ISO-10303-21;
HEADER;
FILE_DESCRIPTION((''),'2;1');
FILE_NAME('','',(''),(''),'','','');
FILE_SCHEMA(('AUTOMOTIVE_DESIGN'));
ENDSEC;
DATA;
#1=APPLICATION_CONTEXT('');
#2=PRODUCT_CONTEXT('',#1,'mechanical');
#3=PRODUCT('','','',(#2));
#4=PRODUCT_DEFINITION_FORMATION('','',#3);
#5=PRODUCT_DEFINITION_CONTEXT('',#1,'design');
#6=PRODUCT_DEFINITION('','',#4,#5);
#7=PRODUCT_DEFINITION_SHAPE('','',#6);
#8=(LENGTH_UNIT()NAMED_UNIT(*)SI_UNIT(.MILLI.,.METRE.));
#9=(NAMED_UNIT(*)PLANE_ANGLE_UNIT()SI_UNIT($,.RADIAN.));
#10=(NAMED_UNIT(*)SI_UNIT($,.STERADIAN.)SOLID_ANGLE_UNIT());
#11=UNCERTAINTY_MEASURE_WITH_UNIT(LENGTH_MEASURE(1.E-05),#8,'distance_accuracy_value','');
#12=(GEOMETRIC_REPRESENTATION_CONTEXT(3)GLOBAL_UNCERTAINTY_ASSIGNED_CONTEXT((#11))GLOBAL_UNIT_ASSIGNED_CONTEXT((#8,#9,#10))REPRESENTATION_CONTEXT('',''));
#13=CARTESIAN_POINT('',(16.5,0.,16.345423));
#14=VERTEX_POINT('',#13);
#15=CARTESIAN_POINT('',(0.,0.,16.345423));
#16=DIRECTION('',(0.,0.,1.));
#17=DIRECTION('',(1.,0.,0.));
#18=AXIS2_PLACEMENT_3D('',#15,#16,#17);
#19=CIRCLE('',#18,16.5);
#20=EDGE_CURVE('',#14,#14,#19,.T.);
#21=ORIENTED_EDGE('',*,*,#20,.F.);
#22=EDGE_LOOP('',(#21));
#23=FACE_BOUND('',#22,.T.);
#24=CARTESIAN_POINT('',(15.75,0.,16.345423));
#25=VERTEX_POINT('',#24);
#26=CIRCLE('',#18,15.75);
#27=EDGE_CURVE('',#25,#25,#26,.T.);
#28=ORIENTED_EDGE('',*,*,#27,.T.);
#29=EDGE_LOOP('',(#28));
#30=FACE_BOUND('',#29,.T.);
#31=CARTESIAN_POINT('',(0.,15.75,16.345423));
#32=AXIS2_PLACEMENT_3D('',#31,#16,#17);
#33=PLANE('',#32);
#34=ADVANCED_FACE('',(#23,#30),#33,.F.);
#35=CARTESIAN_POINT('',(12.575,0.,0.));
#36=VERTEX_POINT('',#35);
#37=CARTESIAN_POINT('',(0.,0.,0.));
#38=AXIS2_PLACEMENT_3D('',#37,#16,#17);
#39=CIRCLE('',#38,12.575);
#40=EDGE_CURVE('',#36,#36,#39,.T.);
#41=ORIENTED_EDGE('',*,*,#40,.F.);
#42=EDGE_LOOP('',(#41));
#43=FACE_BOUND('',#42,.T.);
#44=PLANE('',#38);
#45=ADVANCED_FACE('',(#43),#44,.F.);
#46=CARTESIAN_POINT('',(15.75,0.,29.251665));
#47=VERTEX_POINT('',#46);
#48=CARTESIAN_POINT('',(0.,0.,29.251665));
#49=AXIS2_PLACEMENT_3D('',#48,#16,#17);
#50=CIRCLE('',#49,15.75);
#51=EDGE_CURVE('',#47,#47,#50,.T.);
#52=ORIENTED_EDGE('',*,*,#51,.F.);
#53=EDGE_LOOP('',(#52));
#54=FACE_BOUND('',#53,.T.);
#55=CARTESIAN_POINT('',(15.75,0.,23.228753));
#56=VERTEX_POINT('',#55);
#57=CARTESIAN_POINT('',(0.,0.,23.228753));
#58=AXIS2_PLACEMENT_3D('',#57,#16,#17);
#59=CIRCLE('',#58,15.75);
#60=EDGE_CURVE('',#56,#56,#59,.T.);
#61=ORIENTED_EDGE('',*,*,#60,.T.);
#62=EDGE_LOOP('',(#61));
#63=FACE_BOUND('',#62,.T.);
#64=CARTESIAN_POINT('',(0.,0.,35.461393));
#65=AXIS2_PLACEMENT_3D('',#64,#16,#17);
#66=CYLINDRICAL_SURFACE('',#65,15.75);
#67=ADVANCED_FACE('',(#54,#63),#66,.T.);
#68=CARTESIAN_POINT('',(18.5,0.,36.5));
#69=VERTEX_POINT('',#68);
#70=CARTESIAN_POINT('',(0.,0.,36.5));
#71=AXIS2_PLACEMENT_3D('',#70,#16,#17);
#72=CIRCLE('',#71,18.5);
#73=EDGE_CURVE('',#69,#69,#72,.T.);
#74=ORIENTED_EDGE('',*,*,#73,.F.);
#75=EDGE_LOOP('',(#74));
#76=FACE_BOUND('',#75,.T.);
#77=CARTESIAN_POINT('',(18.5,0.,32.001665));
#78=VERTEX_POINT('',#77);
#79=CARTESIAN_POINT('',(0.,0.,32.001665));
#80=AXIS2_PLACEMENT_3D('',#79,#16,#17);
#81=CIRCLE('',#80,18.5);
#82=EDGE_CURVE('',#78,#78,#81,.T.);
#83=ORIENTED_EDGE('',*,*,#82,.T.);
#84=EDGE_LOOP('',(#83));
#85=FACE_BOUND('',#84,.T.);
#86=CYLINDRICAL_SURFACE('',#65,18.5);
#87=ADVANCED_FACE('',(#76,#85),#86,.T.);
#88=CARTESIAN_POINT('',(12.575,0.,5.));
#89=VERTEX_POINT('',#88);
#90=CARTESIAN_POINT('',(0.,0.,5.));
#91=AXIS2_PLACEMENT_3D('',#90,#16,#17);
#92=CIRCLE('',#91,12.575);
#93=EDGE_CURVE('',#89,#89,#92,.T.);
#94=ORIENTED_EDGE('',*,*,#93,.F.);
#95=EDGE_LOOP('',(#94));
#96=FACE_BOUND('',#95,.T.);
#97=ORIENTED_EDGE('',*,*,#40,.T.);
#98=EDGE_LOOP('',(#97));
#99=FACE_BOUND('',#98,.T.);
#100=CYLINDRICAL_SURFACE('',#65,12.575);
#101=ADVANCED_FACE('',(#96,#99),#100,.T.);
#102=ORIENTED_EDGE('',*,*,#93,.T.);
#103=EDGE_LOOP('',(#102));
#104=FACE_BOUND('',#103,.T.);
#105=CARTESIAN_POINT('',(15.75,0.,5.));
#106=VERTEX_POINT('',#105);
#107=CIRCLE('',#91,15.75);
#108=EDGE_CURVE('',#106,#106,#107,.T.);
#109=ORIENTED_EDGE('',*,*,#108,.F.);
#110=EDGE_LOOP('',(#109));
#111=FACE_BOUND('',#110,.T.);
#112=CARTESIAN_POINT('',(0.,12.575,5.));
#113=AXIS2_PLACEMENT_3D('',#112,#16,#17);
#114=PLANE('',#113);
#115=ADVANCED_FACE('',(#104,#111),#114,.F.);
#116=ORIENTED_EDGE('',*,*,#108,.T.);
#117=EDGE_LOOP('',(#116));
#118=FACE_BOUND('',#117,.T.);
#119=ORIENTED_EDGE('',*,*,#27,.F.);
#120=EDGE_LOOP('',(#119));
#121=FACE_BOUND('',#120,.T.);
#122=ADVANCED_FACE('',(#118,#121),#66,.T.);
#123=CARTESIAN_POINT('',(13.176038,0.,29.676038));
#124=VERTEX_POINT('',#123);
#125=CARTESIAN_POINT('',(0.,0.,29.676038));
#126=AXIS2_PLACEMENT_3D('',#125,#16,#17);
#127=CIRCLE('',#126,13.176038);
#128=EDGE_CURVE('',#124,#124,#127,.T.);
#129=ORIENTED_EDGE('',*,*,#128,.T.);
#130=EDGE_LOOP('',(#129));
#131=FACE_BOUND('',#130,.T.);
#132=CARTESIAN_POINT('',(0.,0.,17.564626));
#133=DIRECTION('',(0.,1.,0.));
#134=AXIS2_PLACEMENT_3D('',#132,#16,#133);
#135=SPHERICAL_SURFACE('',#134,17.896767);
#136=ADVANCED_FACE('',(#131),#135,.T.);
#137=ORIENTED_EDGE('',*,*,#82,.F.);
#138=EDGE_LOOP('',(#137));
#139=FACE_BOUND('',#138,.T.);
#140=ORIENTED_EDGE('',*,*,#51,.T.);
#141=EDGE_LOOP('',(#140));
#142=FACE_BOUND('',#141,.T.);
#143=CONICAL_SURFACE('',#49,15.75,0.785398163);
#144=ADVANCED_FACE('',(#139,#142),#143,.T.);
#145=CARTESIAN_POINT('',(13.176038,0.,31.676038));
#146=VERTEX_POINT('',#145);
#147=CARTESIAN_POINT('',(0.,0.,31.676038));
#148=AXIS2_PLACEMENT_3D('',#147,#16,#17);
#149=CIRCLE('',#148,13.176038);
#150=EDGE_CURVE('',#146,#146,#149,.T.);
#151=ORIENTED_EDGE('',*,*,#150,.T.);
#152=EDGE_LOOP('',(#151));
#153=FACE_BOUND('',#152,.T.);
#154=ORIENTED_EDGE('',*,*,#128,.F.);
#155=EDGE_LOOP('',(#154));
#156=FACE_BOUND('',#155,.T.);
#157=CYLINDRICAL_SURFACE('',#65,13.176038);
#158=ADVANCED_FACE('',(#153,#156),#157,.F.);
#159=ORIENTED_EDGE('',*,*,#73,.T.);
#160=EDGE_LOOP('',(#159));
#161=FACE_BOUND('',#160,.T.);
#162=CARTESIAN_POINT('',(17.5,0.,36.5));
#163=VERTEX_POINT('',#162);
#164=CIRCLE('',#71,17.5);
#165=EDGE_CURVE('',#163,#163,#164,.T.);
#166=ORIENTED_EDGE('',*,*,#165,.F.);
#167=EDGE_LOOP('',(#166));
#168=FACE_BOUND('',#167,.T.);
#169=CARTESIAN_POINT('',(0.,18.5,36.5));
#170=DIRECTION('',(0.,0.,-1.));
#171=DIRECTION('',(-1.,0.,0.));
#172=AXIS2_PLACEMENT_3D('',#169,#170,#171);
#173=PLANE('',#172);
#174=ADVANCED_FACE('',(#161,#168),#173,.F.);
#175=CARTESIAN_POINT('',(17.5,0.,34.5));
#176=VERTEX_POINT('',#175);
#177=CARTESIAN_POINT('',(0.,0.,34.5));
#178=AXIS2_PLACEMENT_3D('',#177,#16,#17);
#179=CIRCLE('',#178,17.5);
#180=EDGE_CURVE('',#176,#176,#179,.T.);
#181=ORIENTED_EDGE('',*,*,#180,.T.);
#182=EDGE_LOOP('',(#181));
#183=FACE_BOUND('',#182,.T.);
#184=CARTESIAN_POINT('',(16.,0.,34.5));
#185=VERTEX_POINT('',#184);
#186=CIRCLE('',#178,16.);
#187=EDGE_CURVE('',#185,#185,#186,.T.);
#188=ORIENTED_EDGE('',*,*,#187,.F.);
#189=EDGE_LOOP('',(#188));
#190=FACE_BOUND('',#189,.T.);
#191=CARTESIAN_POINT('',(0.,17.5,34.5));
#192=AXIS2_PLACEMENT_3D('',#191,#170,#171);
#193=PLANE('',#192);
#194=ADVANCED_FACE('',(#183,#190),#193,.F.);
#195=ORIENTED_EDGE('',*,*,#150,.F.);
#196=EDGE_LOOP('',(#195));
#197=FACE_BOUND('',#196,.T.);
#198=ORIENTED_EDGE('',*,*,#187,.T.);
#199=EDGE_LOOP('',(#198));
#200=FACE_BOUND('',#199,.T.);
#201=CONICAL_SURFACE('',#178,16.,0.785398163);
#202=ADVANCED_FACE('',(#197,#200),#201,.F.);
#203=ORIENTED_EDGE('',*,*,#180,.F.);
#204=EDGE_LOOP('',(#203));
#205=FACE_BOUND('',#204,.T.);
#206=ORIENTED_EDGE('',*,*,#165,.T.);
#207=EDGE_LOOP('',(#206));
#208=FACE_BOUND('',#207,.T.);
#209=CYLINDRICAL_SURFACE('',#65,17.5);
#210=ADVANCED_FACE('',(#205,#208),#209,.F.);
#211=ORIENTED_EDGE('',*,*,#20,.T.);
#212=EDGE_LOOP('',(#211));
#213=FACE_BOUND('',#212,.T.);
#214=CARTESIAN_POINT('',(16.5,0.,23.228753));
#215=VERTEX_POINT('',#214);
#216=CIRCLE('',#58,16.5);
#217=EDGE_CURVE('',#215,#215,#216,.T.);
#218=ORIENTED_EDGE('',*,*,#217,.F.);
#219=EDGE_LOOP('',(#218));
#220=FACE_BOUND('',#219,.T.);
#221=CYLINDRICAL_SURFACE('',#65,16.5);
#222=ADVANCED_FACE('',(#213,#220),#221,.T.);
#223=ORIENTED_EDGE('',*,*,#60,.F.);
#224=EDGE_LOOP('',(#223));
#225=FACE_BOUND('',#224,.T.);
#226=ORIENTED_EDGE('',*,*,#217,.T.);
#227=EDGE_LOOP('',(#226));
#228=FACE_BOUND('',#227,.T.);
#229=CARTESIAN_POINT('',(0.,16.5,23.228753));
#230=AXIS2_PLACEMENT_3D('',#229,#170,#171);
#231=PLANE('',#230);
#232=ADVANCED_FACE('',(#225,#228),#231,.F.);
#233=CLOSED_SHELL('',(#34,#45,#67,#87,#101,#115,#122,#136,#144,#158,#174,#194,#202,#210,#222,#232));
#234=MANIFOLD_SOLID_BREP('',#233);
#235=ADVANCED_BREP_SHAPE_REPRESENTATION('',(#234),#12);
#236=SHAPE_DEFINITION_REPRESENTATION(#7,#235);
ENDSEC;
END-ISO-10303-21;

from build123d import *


with BuildPart() as part:
    # Sketch1 → Revolve1 (revolve)
    with BuildSketch(Plane(origin=(0, 0, 0), x_dir=(0, 0, -1), z_dir=(1, 0, 0))):
        with BuildLine():
            Line((0, 0), (0, 12.575))
            Line((0, 12.575), (-5, 12.575))
            Line((-5, 12.575), (-5, 15.75))
            Line((-5, 15.75), (-16.345423433, 15.75))
            Line((-16.345423433, 15.75), (-16.345423433, 16.5))
            Line((-16.345423433, 16.5), (-23.228752503, 16.5))
            Line((-23.228752503, 16.5), (-23.228752503, 15.75))
            Line((-23.228752503, 15.75), (-29.251665438, 15.75))
            Line((-29.251665438, 15.75), (-32.001665438, 18.5))
            Line((-32.001665438, 18.5), (-36.5, 18.5))
            Line((-36.5, 18.5), (-36.5, 17.5))
            Line((-36.5, 17.5), (-34.5, 17.5))
            Line((-34.5, 17.5), (-34.5, 16))
            Line((-34.5, 16), (-31.676037941, 13.176037941))
            Line((-31.676037941, 13.176037941), (-29.676037941, 13.176037941))
            ThreePointArc((-29.676037941, 13.176037941), (-33.951349088, 7.19510787), (-35.461393008, 0))
            Line((-35.461393008, 0), (0, 0))
        make_face()
    revolve(axis=Axis((0, 0, 35.461393008), (0, 0, -1)))


solid = part.part
